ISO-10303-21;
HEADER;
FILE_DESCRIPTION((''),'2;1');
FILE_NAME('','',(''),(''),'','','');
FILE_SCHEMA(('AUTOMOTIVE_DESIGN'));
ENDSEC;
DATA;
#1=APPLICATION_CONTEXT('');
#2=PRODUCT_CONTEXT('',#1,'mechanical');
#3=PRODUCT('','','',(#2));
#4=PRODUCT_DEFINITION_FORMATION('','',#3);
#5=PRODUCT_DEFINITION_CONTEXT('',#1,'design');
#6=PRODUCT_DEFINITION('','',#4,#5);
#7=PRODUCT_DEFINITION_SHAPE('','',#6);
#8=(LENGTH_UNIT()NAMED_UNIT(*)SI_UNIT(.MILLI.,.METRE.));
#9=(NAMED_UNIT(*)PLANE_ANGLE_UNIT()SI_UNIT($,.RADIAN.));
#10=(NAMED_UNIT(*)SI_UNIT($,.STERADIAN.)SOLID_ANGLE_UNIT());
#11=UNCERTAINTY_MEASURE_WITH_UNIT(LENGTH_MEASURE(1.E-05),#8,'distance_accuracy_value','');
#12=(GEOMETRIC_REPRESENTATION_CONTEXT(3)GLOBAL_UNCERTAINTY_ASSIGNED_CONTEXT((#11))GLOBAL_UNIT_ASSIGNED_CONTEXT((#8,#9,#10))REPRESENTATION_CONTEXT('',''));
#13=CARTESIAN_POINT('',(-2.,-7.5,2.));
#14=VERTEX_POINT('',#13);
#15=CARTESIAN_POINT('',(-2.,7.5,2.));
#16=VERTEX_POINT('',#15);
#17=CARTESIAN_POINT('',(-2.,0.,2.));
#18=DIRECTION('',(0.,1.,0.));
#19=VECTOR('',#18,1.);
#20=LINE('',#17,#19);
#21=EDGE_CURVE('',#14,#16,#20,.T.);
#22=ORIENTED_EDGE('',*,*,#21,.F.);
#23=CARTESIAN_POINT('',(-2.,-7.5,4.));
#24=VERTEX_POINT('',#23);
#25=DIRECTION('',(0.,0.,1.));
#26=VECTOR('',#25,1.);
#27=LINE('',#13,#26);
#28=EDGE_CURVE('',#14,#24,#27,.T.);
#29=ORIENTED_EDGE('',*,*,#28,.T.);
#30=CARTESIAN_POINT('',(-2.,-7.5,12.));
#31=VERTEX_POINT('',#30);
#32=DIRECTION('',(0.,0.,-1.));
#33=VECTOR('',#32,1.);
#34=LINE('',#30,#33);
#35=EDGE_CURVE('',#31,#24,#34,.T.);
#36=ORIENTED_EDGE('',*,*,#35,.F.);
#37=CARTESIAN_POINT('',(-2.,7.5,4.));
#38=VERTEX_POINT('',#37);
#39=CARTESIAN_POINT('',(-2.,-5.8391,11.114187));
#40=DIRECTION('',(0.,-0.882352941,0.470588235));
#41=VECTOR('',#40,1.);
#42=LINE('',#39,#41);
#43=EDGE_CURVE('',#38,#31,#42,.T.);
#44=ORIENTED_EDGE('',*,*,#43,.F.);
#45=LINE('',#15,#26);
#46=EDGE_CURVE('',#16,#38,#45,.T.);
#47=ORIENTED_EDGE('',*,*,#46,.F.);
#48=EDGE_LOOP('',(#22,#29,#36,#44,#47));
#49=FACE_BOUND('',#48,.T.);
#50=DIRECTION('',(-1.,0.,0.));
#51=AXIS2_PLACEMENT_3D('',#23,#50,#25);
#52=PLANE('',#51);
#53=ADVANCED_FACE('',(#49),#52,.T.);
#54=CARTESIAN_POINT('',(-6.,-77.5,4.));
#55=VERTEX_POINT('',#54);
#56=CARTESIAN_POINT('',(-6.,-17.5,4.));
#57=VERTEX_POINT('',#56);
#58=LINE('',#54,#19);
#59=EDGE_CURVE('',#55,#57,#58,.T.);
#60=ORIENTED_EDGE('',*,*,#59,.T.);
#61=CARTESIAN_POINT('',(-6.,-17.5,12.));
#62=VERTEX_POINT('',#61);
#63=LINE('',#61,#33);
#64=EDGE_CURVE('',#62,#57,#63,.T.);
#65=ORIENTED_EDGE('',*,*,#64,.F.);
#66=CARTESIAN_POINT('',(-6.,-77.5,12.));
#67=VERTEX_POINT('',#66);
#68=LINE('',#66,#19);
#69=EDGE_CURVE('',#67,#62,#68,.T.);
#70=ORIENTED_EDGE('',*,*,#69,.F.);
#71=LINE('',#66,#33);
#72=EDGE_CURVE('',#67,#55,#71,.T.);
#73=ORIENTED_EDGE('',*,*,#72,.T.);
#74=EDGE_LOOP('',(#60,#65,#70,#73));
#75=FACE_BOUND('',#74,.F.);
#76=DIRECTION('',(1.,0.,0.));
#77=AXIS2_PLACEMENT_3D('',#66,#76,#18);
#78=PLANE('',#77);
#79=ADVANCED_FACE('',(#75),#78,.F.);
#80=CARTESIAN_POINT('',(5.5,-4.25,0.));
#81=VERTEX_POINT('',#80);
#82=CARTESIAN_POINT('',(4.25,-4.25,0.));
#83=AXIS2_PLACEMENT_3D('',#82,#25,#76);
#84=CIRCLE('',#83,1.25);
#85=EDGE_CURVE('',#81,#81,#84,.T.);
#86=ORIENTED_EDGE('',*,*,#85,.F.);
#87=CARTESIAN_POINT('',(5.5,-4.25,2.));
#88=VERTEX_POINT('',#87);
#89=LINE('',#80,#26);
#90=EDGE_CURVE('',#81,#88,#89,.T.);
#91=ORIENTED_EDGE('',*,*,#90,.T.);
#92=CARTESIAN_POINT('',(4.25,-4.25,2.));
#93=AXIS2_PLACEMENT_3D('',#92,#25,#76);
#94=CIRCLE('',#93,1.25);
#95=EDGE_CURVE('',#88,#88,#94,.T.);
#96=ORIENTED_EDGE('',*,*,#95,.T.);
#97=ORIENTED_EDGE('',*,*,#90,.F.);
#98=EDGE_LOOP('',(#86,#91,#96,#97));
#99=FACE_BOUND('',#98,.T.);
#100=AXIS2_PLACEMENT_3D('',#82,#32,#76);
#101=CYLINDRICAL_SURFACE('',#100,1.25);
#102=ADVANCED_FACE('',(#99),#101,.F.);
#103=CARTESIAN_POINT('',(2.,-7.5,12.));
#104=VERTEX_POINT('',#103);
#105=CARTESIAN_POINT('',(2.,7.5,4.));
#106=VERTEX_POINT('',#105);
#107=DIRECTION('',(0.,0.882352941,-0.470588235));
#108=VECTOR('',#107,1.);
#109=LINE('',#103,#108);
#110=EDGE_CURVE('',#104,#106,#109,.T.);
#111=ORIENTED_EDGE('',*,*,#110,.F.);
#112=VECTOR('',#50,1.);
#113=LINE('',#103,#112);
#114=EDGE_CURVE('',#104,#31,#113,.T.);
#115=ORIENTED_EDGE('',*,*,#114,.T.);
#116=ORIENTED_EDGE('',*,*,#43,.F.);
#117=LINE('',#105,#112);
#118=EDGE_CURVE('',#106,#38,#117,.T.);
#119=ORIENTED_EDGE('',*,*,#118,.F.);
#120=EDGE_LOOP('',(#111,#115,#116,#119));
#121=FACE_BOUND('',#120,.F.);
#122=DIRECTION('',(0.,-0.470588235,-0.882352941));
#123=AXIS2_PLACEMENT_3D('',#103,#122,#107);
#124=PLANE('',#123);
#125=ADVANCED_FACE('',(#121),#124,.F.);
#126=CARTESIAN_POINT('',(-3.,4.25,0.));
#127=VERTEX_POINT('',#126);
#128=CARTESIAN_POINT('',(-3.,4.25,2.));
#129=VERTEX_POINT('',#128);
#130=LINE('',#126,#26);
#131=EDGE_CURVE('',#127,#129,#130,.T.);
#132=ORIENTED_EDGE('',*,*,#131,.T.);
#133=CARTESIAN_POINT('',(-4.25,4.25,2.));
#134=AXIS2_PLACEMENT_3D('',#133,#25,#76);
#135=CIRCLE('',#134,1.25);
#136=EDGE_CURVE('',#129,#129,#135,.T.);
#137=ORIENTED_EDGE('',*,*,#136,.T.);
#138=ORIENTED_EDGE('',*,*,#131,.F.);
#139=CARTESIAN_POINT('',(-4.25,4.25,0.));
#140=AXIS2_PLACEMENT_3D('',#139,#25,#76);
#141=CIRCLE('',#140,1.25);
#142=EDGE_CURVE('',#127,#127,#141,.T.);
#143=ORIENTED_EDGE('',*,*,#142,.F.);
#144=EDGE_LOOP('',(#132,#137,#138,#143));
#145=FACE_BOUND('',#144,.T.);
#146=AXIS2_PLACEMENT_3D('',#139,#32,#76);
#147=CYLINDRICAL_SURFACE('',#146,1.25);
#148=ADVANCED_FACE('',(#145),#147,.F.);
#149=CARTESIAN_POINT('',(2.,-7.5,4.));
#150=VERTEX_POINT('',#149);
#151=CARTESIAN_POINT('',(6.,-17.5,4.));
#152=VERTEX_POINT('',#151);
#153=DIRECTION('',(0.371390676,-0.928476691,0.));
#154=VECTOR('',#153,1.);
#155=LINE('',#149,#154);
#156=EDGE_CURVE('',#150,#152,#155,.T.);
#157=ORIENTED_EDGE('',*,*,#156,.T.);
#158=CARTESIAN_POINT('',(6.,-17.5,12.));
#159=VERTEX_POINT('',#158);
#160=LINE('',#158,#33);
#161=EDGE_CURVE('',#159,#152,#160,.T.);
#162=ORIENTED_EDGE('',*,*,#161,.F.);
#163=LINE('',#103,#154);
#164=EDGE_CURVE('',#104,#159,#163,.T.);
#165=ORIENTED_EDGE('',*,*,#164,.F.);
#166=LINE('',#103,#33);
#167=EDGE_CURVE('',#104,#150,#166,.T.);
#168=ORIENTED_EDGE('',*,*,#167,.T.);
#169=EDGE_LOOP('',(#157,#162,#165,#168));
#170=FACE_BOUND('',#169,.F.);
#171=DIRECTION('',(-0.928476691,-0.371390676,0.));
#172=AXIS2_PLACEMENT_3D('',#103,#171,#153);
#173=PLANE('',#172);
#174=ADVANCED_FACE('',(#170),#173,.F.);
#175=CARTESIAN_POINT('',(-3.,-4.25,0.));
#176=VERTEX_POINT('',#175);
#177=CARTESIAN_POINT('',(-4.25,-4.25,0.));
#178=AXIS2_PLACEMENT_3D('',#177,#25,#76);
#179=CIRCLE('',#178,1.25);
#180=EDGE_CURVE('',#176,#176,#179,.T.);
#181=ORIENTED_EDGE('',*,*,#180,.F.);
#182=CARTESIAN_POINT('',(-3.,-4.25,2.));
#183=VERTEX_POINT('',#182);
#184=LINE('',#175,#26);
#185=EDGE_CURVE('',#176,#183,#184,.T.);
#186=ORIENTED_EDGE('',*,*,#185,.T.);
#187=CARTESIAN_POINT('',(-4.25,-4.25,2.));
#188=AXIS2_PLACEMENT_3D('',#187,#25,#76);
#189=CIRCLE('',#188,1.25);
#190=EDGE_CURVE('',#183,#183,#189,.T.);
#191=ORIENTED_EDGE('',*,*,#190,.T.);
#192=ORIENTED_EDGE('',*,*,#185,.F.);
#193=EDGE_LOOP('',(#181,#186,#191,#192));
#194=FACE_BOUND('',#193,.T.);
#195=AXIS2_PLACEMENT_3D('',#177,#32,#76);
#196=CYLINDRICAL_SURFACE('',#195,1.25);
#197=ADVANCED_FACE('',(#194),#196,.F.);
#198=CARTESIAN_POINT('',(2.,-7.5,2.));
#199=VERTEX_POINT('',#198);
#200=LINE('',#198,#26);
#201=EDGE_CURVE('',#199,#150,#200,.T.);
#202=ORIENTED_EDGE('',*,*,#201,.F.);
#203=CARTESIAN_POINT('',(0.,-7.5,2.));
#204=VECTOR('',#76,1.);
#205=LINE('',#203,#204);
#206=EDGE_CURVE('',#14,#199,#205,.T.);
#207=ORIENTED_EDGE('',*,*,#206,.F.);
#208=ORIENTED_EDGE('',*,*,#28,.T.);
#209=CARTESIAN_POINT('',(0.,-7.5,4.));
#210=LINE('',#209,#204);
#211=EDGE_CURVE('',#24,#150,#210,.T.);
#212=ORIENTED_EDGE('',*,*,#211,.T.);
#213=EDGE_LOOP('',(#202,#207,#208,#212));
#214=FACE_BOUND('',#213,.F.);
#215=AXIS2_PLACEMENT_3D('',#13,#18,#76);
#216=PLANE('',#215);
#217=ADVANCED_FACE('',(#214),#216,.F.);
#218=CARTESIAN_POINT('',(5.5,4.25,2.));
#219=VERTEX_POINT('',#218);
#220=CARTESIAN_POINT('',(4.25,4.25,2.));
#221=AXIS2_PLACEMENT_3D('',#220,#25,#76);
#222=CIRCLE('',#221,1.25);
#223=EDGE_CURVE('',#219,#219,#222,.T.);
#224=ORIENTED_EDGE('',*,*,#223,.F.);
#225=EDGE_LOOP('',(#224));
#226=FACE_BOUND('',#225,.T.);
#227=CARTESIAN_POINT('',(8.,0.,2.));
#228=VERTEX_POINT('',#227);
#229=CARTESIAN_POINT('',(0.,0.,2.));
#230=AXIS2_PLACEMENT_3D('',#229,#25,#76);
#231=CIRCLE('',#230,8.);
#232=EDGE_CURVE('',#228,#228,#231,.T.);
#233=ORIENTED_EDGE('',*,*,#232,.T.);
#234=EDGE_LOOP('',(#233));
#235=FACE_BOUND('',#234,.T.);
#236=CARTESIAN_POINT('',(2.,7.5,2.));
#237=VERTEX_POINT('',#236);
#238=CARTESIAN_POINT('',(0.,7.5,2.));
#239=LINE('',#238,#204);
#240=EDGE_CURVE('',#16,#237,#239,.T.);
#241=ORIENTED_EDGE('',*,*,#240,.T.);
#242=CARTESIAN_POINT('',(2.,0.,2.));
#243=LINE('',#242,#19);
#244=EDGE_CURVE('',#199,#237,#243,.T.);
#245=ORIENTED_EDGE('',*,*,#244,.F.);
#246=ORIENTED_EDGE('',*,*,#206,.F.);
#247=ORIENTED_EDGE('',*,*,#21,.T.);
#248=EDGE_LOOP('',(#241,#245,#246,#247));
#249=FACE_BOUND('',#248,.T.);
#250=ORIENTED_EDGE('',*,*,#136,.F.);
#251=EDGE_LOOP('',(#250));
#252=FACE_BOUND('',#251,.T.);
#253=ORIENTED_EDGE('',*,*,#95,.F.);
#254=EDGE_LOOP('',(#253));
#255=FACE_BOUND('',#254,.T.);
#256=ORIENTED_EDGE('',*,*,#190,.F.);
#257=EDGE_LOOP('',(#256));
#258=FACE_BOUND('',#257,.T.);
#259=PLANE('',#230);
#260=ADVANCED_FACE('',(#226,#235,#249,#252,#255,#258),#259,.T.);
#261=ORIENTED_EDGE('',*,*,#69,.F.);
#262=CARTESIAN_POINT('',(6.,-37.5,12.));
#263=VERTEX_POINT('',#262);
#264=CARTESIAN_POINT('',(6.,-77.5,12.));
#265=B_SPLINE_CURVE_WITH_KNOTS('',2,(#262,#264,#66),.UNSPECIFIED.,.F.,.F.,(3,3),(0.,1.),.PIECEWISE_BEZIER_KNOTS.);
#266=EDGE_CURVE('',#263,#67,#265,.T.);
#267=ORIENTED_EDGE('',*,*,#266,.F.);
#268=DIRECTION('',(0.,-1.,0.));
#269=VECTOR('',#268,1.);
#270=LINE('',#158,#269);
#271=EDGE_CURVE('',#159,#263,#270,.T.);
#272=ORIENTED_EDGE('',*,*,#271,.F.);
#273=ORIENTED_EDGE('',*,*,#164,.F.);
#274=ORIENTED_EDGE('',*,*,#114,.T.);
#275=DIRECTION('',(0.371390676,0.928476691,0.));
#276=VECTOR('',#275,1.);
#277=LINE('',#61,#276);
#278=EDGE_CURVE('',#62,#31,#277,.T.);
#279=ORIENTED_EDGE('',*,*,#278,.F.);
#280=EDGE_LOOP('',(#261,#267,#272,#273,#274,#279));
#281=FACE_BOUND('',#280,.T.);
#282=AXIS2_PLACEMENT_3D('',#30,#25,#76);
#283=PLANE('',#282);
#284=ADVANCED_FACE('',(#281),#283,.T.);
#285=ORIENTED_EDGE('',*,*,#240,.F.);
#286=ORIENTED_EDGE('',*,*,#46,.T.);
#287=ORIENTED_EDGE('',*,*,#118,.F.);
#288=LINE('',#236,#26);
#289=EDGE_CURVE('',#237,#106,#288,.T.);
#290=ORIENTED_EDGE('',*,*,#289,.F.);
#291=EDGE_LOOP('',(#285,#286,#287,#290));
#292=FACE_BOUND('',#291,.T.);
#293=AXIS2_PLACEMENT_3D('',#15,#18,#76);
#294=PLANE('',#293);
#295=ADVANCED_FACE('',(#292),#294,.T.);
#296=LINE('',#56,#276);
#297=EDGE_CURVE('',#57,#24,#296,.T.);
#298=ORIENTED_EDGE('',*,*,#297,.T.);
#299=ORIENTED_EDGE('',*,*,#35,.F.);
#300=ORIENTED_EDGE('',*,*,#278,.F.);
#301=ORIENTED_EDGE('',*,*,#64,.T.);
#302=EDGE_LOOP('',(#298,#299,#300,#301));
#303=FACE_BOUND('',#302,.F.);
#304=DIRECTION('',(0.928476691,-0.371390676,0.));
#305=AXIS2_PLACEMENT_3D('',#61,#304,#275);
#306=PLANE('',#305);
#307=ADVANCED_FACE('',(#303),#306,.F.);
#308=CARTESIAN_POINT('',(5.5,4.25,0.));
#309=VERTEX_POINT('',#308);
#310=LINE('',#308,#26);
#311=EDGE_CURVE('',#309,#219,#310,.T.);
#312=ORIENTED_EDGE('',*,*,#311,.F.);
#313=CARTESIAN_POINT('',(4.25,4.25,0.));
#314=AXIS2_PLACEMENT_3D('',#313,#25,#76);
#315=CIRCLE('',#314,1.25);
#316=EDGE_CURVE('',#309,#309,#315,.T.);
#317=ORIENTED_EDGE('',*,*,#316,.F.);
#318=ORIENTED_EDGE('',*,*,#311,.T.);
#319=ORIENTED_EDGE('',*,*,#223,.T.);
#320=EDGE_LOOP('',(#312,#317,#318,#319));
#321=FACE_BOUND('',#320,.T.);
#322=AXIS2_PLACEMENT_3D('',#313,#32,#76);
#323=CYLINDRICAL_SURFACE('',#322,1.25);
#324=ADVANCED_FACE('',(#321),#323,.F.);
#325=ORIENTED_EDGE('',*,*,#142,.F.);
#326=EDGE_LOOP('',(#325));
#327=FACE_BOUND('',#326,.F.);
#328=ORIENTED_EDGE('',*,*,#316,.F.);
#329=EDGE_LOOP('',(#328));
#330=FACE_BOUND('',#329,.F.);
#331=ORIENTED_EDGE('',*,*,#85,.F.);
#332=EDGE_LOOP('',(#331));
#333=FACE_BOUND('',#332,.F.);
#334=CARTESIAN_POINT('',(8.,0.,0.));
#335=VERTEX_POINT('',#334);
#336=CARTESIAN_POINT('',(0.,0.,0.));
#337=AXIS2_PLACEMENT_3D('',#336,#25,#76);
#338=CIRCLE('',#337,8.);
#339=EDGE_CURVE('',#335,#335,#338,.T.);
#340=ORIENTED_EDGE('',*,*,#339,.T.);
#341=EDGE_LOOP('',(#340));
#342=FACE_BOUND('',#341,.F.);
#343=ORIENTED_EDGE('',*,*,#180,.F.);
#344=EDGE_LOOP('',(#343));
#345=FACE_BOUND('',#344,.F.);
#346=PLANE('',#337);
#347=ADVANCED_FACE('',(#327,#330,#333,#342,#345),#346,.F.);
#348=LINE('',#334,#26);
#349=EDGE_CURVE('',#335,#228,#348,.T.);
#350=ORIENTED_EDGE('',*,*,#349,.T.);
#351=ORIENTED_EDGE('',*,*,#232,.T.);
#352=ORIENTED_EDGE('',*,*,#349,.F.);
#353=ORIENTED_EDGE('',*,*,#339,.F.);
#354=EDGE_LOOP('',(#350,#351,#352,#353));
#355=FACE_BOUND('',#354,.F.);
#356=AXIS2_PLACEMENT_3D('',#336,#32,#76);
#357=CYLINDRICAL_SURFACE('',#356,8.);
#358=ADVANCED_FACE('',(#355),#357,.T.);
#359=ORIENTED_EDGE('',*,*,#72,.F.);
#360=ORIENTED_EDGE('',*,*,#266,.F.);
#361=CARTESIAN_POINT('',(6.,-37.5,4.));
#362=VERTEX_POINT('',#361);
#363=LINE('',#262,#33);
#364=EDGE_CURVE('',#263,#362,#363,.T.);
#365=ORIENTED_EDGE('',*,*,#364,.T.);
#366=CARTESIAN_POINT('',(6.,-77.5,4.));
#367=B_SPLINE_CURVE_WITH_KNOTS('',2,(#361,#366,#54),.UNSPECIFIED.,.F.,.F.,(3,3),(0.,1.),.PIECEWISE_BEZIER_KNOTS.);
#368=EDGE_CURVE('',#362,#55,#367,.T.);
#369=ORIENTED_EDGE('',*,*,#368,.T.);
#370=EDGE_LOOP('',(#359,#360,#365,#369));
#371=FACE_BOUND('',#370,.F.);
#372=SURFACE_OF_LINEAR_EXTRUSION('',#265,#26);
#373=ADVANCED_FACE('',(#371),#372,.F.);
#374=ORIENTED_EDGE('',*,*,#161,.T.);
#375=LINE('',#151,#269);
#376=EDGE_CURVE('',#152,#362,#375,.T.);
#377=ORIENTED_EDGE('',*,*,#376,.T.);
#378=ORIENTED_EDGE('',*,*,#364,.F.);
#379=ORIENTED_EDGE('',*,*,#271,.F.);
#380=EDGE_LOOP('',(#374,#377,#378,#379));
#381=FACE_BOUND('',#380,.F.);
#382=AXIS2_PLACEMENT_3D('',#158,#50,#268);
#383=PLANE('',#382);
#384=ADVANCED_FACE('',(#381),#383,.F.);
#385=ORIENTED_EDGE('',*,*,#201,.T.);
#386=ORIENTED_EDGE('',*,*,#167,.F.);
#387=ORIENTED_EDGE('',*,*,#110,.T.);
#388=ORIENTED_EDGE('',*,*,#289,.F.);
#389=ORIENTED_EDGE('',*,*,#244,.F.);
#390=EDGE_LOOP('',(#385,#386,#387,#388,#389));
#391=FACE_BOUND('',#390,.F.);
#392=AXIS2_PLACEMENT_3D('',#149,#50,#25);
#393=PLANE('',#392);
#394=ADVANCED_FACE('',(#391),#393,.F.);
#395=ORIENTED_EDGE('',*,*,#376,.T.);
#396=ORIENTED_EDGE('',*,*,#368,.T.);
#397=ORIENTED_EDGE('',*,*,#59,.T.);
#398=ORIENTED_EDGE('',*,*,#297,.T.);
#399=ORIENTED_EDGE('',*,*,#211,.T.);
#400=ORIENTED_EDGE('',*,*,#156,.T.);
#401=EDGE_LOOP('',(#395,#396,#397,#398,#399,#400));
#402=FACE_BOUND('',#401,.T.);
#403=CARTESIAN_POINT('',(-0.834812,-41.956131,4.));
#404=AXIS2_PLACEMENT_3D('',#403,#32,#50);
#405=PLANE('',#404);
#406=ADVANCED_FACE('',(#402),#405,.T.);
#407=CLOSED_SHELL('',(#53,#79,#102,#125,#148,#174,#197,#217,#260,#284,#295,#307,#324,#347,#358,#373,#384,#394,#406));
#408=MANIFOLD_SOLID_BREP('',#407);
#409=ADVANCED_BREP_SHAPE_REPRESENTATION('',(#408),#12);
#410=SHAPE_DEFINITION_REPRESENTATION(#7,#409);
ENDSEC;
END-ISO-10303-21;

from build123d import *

# Parameters (mm, degrees)
SKETCH_R     = 8
SKETCH_R_2   = 1.25
PAD_DEPTH    = 2
SKETCH001_W  = 4
SKETCH001_H  = 15
PAD001_DEPTH = 10
SKETCH002_W  = 4
SKETCH002_H  = 8
PAD002_DEPTH = 30
POCKET_DEPTH = 5
PAD003_DEPTH = 8


with BuildPart() as part:
    # Sketch → Pad (new body)
    with BuildSketch(Plane.XY):
        Circle(SKETCH_R)
        with Locations((-4.25, 4.25)):
            Circle(SKETCH_R_2, mode=Mode.SUBTRACT)
        with Locations((4.25, 4.25)):
            Circle(SKETCH_R_2, mode=Mode.SUBTRACT)
        with Locations((4.25, -4.25)):
            Circle(SKETCH_R_2, mode=Mode.SUBTRACT)
        with Locations((-4.25, -4.25)):
            Circle(SKETCH_R_2, mode=Mode.SUBTRACT)
    extrude(amount=PAD_DEPTH)

    # Sketch001 (on Face7 of Pad) → Pad001 (join)
    with BuildSketch(Plane.XY.offset(2)):
        Rectangle(SKETCH001_W, SKETCH001_H)
    extrude(amount=PAD001_DEPTH)

    # Sketch002 (on Face9 of Pad001) → Pad002 (join)
    with BuildSketch(Plane.XZ.offset(7.5)):
        with Locations((0, 8)):
            Rectangle(SKETCH002_W, SKETCH002_H)
    extrude(amount=PAD002_DEPTH)

    # Sketch003 (on Face10 of Pad002) → Pocket (cut)
    with BuildSketch(Plane.YZ.offset(2)):
        Polygon((-7.5, 12), (7.5, 4), (17.5, 4), (17.5, 22), (-7.5, 22), align=None)
    extrude(amount=-POCKET_DEPTH, mode=Mode.SUBTRACT)

    # Sketch004 (on Face16 of Pocket) → Pad003 (join)
    with BuildSketch(Plane.XY.offset(12)):
        with BuildLine():
            Line((-2, -7.5), (2, -7.5))
            Line((2, -7.5), (6, -17.5))
            Line((6, -17.5), (6, -37.5))
            add(Edge.make_bspline(
                [(6, -37.5), (6, -77.5), (-6, -77.5)],
                knots=[0, 0, 0, 1, 1, 1], degree=2))
            Line((-6, -77.5), (-6, -17.5))
            Line((-6, -17.5), (-2, -7.5))
        make_face()
    extrude(amount=-PAD003_DEPTH)


solid = part.part
